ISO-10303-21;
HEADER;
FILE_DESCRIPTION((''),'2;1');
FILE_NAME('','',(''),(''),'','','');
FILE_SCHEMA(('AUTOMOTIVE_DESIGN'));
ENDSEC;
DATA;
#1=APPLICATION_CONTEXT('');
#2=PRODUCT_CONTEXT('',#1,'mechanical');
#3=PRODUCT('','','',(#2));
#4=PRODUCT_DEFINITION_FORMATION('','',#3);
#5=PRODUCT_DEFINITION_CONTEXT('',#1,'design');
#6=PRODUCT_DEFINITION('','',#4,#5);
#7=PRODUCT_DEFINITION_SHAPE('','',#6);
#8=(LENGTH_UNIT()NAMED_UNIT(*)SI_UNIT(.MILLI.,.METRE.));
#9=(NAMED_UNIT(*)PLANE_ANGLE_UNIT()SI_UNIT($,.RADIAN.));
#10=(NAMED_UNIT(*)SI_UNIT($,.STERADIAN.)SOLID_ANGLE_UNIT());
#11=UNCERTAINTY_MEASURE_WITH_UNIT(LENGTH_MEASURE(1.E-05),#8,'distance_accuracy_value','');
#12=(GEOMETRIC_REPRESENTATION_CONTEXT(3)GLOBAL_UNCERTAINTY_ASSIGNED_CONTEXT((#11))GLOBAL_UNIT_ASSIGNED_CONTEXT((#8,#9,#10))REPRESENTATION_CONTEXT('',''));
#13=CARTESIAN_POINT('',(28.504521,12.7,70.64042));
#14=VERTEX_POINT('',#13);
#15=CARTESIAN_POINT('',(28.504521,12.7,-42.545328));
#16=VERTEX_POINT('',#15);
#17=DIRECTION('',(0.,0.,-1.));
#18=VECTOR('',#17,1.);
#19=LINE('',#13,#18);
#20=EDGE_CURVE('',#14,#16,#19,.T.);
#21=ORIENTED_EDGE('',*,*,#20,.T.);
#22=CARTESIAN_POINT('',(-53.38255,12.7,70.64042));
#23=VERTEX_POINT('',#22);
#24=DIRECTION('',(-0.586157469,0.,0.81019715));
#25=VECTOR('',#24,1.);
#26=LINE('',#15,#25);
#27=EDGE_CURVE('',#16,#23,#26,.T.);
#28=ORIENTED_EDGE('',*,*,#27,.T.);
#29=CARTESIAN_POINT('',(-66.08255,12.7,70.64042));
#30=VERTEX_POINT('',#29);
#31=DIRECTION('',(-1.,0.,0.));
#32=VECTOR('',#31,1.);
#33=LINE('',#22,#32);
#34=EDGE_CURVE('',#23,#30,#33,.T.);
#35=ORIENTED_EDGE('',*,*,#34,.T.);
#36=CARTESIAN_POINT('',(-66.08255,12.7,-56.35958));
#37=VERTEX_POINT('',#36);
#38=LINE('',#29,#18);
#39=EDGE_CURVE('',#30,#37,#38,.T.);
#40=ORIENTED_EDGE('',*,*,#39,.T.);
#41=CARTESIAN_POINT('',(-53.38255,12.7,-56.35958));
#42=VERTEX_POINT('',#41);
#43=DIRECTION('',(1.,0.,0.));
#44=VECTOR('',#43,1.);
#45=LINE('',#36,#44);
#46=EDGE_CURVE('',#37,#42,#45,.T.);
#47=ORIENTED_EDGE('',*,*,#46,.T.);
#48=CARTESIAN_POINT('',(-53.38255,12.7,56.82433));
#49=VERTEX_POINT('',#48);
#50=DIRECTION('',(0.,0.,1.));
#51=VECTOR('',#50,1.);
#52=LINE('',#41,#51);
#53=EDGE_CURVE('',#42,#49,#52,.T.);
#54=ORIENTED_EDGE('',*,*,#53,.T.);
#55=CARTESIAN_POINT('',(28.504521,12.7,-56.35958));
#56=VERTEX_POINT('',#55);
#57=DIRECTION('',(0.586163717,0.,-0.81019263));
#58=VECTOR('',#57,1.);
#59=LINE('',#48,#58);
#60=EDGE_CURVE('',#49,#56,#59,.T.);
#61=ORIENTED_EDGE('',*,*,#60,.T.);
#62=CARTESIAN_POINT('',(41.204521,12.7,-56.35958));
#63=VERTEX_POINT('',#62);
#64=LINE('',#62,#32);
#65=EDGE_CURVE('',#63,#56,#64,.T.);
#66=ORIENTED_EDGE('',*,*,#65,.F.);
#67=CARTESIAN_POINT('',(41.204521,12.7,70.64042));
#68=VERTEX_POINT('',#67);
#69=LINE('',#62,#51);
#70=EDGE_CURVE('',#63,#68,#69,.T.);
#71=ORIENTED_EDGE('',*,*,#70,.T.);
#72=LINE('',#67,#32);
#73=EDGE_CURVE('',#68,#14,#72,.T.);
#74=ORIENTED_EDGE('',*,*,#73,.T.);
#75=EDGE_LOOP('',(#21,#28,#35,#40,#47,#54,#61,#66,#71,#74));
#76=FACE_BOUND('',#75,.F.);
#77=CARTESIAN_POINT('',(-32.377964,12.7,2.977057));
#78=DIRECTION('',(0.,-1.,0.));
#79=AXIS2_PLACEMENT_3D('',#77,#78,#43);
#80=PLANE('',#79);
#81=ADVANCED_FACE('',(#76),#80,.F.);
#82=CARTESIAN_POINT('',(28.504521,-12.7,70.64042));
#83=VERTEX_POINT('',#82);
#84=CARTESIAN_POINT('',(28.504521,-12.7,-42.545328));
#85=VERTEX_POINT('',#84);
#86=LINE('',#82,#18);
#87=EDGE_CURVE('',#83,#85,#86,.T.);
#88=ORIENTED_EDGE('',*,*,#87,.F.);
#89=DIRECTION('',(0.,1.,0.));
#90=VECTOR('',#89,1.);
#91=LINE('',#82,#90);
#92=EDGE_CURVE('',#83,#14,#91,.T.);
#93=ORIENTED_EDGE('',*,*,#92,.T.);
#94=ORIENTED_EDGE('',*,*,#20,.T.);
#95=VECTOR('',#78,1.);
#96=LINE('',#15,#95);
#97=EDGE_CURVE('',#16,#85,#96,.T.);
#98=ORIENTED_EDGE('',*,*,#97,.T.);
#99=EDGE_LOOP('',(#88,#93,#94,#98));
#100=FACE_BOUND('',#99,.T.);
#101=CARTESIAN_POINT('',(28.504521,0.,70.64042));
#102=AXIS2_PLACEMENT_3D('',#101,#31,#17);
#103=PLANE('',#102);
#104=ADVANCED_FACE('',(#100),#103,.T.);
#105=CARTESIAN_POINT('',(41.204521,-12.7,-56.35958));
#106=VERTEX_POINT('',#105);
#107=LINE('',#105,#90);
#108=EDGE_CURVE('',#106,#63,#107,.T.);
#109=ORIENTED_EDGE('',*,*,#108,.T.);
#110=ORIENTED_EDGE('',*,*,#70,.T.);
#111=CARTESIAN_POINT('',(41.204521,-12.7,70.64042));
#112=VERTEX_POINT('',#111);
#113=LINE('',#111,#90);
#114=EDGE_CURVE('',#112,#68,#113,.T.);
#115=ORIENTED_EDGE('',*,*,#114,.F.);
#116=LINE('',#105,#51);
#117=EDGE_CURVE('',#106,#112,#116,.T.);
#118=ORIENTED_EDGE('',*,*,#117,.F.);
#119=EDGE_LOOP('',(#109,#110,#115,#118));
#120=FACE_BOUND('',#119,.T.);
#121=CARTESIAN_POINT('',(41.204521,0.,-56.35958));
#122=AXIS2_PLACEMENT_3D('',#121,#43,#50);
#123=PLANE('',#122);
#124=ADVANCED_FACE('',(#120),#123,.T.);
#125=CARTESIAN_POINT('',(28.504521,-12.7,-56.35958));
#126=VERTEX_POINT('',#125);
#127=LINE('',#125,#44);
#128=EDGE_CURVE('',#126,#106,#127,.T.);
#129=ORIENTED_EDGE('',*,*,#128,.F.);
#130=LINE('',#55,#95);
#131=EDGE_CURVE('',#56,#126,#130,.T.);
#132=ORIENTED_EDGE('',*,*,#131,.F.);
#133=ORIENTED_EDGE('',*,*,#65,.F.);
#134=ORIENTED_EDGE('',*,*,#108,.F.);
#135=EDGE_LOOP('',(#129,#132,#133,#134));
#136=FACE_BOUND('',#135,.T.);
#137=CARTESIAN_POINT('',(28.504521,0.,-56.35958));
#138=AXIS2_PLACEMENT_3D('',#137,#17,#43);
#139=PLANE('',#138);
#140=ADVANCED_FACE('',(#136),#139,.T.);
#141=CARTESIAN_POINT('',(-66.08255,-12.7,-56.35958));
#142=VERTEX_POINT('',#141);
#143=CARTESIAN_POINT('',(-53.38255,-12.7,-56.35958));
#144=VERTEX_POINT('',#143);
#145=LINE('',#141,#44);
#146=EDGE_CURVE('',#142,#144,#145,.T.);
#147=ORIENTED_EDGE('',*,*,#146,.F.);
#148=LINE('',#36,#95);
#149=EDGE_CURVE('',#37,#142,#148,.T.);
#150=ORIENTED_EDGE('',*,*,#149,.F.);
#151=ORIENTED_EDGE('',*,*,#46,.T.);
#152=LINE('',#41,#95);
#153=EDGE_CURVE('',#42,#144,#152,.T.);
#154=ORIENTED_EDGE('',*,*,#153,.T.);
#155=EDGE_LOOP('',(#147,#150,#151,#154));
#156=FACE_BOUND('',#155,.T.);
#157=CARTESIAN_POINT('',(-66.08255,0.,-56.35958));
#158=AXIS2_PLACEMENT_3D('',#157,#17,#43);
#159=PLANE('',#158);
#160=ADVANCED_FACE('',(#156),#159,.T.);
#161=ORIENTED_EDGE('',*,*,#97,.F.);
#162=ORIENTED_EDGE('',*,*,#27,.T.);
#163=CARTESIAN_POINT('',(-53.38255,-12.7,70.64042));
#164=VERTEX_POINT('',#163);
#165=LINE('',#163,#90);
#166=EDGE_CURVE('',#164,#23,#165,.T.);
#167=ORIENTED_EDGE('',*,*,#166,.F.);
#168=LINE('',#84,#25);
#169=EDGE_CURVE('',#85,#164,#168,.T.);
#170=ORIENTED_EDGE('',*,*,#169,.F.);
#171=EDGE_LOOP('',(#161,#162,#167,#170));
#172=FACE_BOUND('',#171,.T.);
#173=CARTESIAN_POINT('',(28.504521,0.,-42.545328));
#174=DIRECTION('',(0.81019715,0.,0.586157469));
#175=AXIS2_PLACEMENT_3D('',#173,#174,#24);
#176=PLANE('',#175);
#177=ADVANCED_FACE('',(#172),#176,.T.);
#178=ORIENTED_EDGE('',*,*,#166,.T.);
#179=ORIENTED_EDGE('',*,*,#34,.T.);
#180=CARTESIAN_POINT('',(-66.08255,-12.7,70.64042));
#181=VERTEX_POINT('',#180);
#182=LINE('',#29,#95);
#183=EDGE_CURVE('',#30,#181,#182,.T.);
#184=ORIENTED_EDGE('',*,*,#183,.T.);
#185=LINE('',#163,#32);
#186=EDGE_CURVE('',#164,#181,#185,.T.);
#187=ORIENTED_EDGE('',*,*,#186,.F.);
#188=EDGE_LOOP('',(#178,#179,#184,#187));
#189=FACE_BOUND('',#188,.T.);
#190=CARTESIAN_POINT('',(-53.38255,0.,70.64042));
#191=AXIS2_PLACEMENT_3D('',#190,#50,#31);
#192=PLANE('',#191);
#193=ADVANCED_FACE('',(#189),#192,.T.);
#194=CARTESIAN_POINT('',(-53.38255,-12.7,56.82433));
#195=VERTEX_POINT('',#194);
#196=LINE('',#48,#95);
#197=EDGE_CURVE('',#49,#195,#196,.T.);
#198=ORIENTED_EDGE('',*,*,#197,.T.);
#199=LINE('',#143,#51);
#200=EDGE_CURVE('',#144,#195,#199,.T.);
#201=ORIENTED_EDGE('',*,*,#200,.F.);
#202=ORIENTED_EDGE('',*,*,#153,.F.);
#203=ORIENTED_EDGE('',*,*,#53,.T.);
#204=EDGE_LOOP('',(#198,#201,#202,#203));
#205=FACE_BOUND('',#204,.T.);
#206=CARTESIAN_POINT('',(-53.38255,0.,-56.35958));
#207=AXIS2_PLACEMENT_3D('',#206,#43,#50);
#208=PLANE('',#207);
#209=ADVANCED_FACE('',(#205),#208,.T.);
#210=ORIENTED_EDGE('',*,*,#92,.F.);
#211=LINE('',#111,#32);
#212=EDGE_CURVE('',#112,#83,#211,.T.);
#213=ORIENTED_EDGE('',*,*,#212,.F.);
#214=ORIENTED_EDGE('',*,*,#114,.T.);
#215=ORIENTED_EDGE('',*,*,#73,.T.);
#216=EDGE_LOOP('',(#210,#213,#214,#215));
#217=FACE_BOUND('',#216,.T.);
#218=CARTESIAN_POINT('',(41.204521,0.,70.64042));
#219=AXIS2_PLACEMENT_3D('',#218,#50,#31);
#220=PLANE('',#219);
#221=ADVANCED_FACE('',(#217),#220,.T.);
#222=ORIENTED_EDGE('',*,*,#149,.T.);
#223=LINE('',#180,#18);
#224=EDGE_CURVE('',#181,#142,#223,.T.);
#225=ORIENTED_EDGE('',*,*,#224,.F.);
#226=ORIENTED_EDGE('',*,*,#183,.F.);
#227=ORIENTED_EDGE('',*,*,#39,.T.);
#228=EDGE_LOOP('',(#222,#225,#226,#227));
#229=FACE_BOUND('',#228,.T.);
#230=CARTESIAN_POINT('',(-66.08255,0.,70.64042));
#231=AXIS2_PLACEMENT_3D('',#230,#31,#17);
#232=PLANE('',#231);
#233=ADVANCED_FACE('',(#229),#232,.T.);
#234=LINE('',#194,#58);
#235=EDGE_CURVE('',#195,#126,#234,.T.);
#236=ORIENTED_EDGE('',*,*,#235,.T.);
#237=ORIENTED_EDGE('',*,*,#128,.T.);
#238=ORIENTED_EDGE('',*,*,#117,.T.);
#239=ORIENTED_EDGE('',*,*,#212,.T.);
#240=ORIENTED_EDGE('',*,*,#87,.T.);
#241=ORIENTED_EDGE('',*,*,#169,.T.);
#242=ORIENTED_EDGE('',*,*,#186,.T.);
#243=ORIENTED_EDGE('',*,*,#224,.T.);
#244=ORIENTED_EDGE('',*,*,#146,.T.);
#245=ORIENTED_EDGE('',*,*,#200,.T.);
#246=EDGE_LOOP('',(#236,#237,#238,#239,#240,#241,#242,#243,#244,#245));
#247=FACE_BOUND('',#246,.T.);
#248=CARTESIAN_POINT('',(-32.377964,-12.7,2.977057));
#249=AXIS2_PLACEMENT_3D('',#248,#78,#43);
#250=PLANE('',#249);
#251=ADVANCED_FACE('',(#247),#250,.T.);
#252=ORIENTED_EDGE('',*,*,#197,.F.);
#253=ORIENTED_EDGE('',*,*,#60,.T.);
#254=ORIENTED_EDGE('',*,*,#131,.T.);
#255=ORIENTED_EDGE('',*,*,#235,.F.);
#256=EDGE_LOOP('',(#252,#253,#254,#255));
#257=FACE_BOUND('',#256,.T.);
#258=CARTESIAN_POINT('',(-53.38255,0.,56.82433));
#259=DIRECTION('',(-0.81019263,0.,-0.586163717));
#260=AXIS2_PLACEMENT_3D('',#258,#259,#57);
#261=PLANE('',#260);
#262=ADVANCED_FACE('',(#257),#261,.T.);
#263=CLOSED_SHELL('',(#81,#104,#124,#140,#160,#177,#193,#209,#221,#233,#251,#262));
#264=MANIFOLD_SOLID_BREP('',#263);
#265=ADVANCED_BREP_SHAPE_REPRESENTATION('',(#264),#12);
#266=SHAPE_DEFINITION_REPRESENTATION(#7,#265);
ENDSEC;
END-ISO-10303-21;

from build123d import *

# Parameters (mm, degrees)
F1_DEPTH = 12.7
F2_DEPTH = 12.7


with BuildPart() as f1:
    # F0 (on Front) → F1 (new body, symmetric)
    with BuildSketch(Plane.XZ):
        Polygon((28.504521, 70.64042), (28.504521, -42.545328), (38.498788, -56.35958), (41.204521, -56.35958), (41.204521, 70.64042), align=None)
    extrude(amount=F1_DEPTH, both=True)

    # F0 (on Front) → F2 (join, symmetric)
    with BuildSketch(Plane.XZ):
        Polygon((-53.38255, 70.64042), (-66.08255, 70.64042), (-66.08255, -56.35958), (-53.38255, -56.35958), (-53.38255, -0.88598), (-53.38255, 56.82433), (28.504521, -56.35958), (38.498788, -56.35958), (28.504521, -42.545328), align=None)
    extrude(amount=F2_DEPTH, both=True)


solid = f1.part
